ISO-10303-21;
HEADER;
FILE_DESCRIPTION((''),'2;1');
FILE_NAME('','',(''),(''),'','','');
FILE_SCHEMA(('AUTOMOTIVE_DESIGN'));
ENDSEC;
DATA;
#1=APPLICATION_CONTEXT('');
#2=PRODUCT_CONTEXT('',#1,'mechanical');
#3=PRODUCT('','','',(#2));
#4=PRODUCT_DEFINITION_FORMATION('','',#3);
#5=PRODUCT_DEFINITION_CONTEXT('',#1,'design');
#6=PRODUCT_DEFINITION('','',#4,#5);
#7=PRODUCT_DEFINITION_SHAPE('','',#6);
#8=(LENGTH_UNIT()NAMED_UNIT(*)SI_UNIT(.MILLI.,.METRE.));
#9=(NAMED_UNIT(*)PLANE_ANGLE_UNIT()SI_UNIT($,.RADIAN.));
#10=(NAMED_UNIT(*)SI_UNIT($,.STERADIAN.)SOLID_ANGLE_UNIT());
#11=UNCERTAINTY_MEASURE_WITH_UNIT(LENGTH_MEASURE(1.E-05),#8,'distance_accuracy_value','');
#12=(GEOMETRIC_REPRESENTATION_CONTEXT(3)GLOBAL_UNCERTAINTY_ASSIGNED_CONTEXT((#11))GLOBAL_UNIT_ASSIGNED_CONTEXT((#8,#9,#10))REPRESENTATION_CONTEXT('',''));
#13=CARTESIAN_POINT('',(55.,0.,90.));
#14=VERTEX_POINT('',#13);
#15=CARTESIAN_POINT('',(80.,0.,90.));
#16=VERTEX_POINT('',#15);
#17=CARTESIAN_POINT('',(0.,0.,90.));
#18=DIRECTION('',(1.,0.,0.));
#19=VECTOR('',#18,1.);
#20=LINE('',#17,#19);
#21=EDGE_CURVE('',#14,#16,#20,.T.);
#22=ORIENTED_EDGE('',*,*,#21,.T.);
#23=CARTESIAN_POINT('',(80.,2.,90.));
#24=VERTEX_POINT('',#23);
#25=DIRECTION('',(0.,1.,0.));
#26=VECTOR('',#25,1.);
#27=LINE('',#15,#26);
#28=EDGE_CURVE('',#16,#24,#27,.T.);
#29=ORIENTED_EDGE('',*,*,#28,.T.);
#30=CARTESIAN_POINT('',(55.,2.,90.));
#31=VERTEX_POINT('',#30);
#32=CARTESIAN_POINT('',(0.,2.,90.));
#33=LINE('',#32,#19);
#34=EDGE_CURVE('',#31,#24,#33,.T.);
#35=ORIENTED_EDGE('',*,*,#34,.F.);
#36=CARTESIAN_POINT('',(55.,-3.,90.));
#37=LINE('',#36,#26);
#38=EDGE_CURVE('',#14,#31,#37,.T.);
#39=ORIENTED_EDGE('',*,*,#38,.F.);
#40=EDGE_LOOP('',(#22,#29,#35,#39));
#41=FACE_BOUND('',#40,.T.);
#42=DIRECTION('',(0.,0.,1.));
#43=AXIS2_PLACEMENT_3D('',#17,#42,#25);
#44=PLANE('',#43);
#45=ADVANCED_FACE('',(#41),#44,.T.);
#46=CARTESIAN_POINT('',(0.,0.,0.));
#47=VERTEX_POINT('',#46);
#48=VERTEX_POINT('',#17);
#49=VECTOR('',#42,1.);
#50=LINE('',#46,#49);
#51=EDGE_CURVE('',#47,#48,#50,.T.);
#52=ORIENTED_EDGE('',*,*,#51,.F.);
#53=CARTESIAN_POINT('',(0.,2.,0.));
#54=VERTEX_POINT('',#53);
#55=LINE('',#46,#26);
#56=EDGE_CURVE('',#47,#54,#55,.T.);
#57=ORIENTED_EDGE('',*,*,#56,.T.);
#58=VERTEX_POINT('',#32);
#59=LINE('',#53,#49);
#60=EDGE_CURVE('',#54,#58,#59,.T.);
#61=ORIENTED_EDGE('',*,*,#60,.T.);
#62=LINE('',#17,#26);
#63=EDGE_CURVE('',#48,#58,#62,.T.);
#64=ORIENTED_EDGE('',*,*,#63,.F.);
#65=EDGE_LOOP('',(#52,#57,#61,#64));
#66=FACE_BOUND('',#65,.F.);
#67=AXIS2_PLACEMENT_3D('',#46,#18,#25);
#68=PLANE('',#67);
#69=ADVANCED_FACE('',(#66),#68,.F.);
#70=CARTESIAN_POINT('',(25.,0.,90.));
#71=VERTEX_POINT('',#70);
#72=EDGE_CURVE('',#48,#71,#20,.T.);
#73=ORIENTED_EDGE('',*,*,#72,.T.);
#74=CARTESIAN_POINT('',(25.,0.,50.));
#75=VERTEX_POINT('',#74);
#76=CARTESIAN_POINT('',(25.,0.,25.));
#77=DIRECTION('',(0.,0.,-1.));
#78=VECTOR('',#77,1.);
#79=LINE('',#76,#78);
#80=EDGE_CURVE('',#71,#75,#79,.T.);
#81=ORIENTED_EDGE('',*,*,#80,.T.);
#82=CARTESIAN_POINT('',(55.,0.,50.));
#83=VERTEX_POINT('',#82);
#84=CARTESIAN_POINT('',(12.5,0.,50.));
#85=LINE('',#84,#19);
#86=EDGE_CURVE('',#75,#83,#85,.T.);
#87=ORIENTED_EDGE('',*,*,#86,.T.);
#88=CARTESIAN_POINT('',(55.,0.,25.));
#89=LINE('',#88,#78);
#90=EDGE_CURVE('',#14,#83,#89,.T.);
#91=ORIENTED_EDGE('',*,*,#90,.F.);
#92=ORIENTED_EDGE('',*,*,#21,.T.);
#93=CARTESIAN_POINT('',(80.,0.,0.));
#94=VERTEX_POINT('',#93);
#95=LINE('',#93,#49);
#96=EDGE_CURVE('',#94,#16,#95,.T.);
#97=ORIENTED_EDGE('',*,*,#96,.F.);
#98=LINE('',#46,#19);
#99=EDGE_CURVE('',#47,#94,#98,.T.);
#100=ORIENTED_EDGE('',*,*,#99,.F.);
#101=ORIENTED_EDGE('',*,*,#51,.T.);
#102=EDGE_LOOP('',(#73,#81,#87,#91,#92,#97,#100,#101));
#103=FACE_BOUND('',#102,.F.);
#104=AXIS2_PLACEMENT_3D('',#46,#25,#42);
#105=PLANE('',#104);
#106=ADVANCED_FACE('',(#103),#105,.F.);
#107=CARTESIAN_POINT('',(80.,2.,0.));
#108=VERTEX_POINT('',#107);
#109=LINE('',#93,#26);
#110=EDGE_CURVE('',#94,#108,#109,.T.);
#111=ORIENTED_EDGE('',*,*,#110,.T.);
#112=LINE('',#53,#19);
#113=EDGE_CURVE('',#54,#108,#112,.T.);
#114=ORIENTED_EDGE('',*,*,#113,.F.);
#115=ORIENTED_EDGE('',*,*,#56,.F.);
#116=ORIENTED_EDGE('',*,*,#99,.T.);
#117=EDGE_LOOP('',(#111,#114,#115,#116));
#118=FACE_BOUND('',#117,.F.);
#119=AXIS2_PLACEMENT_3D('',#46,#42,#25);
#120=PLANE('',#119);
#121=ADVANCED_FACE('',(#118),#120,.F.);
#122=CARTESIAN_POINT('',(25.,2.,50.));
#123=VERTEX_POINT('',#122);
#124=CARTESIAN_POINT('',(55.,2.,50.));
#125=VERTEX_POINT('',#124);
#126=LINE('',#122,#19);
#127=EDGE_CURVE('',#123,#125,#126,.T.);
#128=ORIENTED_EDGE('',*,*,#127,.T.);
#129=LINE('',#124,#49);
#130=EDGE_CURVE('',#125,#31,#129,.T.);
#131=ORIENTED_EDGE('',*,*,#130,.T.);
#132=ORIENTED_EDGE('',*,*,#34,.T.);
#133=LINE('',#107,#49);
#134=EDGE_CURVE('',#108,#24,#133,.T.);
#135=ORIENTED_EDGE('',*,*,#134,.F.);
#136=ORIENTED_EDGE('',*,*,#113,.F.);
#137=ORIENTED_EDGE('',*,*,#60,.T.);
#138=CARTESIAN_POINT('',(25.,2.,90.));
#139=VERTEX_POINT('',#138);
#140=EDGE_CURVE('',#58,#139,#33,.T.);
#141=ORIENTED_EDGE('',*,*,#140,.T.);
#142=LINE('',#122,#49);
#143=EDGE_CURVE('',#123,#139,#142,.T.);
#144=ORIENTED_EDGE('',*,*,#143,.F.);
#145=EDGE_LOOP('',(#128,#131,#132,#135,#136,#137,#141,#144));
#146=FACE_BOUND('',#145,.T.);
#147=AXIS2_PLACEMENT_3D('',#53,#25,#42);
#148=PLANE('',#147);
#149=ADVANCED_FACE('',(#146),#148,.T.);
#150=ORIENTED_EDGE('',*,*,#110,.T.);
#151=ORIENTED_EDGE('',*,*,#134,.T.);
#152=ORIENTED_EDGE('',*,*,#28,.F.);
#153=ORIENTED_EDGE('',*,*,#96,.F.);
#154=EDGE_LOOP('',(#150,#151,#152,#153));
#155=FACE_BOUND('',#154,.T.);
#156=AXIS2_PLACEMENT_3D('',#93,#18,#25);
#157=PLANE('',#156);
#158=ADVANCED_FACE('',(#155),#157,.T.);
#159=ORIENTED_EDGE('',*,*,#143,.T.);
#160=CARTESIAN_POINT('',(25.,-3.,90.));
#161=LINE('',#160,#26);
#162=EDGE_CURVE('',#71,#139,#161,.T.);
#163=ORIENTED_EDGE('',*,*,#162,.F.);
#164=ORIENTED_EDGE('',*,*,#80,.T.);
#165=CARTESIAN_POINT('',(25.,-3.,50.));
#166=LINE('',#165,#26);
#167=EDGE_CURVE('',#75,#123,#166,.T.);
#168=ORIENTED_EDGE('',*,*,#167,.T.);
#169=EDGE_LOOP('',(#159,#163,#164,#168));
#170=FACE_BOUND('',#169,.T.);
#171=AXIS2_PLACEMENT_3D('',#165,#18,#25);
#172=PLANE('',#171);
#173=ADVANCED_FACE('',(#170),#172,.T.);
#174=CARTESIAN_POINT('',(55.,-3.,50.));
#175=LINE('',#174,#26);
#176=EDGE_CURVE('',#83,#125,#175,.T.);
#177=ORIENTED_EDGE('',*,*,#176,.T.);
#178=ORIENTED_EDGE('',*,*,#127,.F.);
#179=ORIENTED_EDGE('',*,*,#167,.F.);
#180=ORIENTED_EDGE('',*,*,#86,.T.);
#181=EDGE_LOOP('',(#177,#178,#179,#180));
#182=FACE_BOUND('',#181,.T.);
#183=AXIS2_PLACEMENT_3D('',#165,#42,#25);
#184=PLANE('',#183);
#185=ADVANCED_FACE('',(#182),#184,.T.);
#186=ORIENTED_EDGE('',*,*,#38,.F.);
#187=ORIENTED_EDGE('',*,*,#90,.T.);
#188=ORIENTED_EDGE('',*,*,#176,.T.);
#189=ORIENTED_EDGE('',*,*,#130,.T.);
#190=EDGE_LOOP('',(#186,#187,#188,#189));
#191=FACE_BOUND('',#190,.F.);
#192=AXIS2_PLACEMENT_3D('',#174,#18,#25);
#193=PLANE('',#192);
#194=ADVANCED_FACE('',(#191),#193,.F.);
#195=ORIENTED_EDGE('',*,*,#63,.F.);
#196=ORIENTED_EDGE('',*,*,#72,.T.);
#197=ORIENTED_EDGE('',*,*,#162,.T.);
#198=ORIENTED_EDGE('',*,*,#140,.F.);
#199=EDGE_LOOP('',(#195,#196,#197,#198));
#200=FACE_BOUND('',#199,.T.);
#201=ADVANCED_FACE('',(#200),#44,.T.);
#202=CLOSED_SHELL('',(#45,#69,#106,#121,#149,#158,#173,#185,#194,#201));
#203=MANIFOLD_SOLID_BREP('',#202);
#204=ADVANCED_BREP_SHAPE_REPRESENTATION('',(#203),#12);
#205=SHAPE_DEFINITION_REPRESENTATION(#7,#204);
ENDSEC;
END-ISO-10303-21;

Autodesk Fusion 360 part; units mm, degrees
box "BoxPrimitive1" add length 90 width 80 height 2 placed x (0, 0, 1) y (1, 0, 0) z (0, 1, 0) at (0, 0, 0)
box "BoxPrimitive2" cut length 40 width 30 height -5 placed x (0, 0, 1) y (1, 0, 0) z (0, 1, 0) at (25, 2, 50)
